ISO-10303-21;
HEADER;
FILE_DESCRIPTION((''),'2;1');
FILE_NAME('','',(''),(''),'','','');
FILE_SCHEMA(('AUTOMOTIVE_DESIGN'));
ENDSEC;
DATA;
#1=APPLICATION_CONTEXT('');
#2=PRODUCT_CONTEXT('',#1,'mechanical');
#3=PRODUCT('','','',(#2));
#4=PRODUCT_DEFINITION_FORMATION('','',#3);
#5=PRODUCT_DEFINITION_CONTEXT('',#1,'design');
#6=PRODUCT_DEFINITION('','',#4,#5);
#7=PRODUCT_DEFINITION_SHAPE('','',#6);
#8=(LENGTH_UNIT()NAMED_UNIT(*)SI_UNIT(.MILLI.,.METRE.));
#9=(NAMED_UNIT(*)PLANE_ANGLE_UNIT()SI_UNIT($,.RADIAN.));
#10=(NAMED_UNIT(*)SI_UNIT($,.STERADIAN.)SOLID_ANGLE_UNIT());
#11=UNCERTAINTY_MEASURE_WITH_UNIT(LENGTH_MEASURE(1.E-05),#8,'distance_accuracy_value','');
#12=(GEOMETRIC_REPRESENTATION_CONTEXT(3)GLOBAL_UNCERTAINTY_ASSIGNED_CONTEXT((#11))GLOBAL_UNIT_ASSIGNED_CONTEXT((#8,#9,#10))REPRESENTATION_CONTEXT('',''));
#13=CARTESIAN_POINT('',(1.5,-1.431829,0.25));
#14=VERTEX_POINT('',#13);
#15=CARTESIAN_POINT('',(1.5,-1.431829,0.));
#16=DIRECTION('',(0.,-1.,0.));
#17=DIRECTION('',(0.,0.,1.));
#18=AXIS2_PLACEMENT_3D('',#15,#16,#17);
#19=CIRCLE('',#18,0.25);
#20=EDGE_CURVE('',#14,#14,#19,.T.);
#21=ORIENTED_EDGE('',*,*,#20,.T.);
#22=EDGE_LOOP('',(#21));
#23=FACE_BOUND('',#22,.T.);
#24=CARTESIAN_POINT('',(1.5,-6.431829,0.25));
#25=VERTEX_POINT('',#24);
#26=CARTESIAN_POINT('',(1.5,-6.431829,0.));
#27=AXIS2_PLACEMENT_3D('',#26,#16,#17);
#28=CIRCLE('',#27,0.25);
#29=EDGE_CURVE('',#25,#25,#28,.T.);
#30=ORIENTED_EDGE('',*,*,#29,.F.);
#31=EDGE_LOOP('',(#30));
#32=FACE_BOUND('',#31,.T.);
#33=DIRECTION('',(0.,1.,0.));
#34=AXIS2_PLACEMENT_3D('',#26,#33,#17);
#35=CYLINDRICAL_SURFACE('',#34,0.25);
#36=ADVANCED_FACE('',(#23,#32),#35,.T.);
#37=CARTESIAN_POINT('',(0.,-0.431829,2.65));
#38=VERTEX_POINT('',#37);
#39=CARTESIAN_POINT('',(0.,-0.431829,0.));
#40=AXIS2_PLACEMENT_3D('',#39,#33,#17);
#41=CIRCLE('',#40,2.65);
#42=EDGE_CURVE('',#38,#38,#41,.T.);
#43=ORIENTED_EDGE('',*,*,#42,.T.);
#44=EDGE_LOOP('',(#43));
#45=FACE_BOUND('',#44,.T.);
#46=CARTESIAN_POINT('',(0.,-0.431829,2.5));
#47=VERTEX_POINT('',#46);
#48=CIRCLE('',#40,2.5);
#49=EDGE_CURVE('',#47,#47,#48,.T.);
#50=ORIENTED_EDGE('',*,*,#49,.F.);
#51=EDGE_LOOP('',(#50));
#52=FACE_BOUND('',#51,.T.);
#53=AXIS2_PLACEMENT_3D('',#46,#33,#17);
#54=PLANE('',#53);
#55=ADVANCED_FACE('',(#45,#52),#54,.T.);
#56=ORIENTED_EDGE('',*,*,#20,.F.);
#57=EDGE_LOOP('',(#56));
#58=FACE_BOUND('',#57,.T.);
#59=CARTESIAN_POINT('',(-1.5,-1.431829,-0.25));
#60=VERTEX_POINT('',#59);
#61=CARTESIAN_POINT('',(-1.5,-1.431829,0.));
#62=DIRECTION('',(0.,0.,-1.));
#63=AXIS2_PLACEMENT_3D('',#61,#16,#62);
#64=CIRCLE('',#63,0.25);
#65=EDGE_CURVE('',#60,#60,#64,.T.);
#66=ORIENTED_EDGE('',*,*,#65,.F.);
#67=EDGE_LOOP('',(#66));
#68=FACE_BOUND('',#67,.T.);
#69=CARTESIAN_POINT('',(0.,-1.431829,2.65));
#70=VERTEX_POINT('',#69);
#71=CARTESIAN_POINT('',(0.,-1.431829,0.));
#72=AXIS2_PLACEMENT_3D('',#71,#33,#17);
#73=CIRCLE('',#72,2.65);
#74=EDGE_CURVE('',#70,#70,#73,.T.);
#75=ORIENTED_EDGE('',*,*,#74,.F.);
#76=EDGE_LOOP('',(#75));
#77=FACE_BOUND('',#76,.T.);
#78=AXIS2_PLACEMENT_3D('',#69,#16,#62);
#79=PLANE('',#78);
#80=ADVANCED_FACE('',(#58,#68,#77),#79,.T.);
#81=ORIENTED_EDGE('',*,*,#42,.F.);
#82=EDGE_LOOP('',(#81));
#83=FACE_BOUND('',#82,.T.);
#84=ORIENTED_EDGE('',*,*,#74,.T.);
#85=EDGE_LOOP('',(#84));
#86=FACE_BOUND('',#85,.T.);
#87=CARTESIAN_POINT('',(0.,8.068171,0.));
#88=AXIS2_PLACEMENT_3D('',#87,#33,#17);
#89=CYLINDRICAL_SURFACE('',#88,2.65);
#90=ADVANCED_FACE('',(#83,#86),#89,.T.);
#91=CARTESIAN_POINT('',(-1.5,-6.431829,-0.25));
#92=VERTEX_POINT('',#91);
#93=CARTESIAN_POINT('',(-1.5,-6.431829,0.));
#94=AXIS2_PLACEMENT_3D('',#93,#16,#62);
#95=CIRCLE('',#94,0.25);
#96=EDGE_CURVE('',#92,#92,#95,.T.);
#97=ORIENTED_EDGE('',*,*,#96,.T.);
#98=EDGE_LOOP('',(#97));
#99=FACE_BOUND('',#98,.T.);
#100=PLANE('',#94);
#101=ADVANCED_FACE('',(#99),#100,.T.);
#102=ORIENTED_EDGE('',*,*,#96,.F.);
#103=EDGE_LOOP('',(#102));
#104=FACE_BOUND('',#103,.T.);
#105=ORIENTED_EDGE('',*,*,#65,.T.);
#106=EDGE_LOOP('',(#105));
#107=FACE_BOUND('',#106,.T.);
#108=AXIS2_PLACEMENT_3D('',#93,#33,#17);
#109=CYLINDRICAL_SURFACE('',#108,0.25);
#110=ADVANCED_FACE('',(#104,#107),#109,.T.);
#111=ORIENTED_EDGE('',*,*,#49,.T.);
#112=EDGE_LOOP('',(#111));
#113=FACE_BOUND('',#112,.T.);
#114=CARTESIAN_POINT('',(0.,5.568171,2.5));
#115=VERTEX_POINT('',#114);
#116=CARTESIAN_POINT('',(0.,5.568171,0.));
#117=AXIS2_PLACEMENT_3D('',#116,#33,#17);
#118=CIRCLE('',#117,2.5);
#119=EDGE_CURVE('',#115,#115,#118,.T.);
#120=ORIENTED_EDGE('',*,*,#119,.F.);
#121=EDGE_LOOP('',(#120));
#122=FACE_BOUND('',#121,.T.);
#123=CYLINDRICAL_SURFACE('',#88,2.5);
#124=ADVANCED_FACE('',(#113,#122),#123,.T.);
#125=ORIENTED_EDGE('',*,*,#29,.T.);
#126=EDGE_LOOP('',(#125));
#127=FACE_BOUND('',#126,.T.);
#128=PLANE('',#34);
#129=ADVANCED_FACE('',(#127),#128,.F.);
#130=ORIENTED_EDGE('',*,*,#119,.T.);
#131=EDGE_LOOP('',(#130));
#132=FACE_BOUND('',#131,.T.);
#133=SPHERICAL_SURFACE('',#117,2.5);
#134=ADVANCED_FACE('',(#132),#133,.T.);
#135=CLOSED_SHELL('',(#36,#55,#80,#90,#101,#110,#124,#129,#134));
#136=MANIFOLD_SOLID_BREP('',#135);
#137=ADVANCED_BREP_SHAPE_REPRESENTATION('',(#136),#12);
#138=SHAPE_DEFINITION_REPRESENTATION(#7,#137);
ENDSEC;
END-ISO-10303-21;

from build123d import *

# Parameters (mm, degrees)
SKETCH2_R           = 0.25
BOSS_EXTRUDE1_DEPTH = 5


with BuildPart() as part:
    # Sketch1 → Revolve1 (revolve)
    with BuildSketch(Plane(origin=(0, 0, 0), x_dir=(0, 0, -1), z_dir=(1, 0, 0))):
        with BuildLine():
            Line((-2.5, -0.431829007), (-2.5, 5.568170993))
            ThreePointArc((-2.5, 5.568170993), (-1.767766953, 7.335937946), (0, 8.068170993))
            Line((0, 8.068170993), (0, 1.631287774))
            Line((0, 1.631287774), (0, -1.431829007))
            Line((0, -1.431829007), (-2.65, -1.431829007))
            Line((-2.65, -1.431829007), (-2.65, -0.431829007))
            Line((-2.65, -0.431829007), (-2.5, -0.431829007))
        make_face()
    revolve(axis=Axis((0, 8.068170993, 0), (0, -1, 0)))

    # Sketch2 → Boss-Extrude1 (add)
    with BuildSketch(Plane.XZ.offset(1.431829007)):
        with Locations(Location((-1.5, 0, 0), (0, 0, 270))):
            Circle(SKETCH2_R)
        with Locations(Location((1.5, 0, 0), (0, 0, 90))):
            Circle(SKETCH2_R)
    extrude(amount=BOSS_EXTRUDE1_DEPTH)


solid = part.part
